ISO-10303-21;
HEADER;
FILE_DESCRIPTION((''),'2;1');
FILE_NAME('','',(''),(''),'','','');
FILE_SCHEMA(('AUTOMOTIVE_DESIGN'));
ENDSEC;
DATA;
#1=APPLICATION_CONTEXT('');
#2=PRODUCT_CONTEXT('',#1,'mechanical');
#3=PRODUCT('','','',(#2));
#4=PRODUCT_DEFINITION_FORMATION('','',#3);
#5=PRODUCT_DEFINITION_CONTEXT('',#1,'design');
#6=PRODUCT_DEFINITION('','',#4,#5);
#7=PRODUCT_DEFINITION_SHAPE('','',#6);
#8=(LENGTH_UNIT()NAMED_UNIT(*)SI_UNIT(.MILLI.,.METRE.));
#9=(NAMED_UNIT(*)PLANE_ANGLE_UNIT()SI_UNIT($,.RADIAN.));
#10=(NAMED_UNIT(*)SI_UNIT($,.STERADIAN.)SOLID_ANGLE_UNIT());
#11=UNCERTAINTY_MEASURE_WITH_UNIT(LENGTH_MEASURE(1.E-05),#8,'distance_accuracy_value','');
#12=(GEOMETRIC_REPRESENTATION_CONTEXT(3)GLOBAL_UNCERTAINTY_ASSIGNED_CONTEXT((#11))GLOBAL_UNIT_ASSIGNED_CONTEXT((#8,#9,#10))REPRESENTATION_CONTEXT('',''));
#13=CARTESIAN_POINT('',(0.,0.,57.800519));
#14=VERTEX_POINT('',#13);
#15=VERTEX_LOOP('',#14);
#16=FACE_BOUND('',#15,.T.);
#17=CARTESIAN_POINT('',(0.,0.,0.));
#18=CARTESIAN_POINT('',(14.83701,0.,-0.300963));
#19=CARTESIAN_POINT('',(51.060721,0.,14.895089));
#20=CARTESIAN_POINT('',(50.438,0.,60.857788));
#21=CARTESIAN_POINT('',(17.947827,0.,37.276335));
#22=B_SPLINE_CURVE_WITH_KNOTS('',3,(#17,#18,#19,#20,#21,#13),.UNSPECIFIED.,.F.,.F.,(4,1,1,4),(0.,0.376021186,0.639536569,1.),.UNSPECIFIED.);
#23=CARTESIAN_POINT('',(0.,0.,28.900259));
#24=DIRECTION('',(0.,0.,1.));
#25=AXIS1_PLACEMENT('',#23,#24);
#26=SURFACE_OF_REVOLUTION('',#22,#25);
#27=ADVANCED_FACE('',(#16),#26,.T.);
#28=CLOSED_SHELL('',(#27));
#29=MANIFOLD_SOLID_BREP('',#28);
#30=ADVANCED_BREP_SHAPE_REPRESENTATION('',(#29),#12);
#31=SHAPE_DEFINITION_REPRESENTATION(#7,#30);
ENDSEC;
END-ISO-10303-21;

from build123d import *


with BuildPart() as f1:
    # F0 (on Front) → F1 (revolve)
    with BuildSketch(Plane.XZ):
        with BuildLine():
            Line((0, 57.8005186593), (0, 0))
            add(Edge.make_bspline(
                [(0, 0), (14.8370102044, -0.3009632598), (51.0607210112, 14.8950893463), (50.4379998018, 60.8577884502), (17.9478265345, 37.2763350606), (0, 57.8005186593)],
                knots=[0, 0, 0, 0, 0.3760211861, 0.6395365694, 1, 1, 1, 1], degree=3))
        make_face()
    revolve(axis=Axis((0, 0, 28.9002593297), (0, 0, 1)))


solid = f1.part
